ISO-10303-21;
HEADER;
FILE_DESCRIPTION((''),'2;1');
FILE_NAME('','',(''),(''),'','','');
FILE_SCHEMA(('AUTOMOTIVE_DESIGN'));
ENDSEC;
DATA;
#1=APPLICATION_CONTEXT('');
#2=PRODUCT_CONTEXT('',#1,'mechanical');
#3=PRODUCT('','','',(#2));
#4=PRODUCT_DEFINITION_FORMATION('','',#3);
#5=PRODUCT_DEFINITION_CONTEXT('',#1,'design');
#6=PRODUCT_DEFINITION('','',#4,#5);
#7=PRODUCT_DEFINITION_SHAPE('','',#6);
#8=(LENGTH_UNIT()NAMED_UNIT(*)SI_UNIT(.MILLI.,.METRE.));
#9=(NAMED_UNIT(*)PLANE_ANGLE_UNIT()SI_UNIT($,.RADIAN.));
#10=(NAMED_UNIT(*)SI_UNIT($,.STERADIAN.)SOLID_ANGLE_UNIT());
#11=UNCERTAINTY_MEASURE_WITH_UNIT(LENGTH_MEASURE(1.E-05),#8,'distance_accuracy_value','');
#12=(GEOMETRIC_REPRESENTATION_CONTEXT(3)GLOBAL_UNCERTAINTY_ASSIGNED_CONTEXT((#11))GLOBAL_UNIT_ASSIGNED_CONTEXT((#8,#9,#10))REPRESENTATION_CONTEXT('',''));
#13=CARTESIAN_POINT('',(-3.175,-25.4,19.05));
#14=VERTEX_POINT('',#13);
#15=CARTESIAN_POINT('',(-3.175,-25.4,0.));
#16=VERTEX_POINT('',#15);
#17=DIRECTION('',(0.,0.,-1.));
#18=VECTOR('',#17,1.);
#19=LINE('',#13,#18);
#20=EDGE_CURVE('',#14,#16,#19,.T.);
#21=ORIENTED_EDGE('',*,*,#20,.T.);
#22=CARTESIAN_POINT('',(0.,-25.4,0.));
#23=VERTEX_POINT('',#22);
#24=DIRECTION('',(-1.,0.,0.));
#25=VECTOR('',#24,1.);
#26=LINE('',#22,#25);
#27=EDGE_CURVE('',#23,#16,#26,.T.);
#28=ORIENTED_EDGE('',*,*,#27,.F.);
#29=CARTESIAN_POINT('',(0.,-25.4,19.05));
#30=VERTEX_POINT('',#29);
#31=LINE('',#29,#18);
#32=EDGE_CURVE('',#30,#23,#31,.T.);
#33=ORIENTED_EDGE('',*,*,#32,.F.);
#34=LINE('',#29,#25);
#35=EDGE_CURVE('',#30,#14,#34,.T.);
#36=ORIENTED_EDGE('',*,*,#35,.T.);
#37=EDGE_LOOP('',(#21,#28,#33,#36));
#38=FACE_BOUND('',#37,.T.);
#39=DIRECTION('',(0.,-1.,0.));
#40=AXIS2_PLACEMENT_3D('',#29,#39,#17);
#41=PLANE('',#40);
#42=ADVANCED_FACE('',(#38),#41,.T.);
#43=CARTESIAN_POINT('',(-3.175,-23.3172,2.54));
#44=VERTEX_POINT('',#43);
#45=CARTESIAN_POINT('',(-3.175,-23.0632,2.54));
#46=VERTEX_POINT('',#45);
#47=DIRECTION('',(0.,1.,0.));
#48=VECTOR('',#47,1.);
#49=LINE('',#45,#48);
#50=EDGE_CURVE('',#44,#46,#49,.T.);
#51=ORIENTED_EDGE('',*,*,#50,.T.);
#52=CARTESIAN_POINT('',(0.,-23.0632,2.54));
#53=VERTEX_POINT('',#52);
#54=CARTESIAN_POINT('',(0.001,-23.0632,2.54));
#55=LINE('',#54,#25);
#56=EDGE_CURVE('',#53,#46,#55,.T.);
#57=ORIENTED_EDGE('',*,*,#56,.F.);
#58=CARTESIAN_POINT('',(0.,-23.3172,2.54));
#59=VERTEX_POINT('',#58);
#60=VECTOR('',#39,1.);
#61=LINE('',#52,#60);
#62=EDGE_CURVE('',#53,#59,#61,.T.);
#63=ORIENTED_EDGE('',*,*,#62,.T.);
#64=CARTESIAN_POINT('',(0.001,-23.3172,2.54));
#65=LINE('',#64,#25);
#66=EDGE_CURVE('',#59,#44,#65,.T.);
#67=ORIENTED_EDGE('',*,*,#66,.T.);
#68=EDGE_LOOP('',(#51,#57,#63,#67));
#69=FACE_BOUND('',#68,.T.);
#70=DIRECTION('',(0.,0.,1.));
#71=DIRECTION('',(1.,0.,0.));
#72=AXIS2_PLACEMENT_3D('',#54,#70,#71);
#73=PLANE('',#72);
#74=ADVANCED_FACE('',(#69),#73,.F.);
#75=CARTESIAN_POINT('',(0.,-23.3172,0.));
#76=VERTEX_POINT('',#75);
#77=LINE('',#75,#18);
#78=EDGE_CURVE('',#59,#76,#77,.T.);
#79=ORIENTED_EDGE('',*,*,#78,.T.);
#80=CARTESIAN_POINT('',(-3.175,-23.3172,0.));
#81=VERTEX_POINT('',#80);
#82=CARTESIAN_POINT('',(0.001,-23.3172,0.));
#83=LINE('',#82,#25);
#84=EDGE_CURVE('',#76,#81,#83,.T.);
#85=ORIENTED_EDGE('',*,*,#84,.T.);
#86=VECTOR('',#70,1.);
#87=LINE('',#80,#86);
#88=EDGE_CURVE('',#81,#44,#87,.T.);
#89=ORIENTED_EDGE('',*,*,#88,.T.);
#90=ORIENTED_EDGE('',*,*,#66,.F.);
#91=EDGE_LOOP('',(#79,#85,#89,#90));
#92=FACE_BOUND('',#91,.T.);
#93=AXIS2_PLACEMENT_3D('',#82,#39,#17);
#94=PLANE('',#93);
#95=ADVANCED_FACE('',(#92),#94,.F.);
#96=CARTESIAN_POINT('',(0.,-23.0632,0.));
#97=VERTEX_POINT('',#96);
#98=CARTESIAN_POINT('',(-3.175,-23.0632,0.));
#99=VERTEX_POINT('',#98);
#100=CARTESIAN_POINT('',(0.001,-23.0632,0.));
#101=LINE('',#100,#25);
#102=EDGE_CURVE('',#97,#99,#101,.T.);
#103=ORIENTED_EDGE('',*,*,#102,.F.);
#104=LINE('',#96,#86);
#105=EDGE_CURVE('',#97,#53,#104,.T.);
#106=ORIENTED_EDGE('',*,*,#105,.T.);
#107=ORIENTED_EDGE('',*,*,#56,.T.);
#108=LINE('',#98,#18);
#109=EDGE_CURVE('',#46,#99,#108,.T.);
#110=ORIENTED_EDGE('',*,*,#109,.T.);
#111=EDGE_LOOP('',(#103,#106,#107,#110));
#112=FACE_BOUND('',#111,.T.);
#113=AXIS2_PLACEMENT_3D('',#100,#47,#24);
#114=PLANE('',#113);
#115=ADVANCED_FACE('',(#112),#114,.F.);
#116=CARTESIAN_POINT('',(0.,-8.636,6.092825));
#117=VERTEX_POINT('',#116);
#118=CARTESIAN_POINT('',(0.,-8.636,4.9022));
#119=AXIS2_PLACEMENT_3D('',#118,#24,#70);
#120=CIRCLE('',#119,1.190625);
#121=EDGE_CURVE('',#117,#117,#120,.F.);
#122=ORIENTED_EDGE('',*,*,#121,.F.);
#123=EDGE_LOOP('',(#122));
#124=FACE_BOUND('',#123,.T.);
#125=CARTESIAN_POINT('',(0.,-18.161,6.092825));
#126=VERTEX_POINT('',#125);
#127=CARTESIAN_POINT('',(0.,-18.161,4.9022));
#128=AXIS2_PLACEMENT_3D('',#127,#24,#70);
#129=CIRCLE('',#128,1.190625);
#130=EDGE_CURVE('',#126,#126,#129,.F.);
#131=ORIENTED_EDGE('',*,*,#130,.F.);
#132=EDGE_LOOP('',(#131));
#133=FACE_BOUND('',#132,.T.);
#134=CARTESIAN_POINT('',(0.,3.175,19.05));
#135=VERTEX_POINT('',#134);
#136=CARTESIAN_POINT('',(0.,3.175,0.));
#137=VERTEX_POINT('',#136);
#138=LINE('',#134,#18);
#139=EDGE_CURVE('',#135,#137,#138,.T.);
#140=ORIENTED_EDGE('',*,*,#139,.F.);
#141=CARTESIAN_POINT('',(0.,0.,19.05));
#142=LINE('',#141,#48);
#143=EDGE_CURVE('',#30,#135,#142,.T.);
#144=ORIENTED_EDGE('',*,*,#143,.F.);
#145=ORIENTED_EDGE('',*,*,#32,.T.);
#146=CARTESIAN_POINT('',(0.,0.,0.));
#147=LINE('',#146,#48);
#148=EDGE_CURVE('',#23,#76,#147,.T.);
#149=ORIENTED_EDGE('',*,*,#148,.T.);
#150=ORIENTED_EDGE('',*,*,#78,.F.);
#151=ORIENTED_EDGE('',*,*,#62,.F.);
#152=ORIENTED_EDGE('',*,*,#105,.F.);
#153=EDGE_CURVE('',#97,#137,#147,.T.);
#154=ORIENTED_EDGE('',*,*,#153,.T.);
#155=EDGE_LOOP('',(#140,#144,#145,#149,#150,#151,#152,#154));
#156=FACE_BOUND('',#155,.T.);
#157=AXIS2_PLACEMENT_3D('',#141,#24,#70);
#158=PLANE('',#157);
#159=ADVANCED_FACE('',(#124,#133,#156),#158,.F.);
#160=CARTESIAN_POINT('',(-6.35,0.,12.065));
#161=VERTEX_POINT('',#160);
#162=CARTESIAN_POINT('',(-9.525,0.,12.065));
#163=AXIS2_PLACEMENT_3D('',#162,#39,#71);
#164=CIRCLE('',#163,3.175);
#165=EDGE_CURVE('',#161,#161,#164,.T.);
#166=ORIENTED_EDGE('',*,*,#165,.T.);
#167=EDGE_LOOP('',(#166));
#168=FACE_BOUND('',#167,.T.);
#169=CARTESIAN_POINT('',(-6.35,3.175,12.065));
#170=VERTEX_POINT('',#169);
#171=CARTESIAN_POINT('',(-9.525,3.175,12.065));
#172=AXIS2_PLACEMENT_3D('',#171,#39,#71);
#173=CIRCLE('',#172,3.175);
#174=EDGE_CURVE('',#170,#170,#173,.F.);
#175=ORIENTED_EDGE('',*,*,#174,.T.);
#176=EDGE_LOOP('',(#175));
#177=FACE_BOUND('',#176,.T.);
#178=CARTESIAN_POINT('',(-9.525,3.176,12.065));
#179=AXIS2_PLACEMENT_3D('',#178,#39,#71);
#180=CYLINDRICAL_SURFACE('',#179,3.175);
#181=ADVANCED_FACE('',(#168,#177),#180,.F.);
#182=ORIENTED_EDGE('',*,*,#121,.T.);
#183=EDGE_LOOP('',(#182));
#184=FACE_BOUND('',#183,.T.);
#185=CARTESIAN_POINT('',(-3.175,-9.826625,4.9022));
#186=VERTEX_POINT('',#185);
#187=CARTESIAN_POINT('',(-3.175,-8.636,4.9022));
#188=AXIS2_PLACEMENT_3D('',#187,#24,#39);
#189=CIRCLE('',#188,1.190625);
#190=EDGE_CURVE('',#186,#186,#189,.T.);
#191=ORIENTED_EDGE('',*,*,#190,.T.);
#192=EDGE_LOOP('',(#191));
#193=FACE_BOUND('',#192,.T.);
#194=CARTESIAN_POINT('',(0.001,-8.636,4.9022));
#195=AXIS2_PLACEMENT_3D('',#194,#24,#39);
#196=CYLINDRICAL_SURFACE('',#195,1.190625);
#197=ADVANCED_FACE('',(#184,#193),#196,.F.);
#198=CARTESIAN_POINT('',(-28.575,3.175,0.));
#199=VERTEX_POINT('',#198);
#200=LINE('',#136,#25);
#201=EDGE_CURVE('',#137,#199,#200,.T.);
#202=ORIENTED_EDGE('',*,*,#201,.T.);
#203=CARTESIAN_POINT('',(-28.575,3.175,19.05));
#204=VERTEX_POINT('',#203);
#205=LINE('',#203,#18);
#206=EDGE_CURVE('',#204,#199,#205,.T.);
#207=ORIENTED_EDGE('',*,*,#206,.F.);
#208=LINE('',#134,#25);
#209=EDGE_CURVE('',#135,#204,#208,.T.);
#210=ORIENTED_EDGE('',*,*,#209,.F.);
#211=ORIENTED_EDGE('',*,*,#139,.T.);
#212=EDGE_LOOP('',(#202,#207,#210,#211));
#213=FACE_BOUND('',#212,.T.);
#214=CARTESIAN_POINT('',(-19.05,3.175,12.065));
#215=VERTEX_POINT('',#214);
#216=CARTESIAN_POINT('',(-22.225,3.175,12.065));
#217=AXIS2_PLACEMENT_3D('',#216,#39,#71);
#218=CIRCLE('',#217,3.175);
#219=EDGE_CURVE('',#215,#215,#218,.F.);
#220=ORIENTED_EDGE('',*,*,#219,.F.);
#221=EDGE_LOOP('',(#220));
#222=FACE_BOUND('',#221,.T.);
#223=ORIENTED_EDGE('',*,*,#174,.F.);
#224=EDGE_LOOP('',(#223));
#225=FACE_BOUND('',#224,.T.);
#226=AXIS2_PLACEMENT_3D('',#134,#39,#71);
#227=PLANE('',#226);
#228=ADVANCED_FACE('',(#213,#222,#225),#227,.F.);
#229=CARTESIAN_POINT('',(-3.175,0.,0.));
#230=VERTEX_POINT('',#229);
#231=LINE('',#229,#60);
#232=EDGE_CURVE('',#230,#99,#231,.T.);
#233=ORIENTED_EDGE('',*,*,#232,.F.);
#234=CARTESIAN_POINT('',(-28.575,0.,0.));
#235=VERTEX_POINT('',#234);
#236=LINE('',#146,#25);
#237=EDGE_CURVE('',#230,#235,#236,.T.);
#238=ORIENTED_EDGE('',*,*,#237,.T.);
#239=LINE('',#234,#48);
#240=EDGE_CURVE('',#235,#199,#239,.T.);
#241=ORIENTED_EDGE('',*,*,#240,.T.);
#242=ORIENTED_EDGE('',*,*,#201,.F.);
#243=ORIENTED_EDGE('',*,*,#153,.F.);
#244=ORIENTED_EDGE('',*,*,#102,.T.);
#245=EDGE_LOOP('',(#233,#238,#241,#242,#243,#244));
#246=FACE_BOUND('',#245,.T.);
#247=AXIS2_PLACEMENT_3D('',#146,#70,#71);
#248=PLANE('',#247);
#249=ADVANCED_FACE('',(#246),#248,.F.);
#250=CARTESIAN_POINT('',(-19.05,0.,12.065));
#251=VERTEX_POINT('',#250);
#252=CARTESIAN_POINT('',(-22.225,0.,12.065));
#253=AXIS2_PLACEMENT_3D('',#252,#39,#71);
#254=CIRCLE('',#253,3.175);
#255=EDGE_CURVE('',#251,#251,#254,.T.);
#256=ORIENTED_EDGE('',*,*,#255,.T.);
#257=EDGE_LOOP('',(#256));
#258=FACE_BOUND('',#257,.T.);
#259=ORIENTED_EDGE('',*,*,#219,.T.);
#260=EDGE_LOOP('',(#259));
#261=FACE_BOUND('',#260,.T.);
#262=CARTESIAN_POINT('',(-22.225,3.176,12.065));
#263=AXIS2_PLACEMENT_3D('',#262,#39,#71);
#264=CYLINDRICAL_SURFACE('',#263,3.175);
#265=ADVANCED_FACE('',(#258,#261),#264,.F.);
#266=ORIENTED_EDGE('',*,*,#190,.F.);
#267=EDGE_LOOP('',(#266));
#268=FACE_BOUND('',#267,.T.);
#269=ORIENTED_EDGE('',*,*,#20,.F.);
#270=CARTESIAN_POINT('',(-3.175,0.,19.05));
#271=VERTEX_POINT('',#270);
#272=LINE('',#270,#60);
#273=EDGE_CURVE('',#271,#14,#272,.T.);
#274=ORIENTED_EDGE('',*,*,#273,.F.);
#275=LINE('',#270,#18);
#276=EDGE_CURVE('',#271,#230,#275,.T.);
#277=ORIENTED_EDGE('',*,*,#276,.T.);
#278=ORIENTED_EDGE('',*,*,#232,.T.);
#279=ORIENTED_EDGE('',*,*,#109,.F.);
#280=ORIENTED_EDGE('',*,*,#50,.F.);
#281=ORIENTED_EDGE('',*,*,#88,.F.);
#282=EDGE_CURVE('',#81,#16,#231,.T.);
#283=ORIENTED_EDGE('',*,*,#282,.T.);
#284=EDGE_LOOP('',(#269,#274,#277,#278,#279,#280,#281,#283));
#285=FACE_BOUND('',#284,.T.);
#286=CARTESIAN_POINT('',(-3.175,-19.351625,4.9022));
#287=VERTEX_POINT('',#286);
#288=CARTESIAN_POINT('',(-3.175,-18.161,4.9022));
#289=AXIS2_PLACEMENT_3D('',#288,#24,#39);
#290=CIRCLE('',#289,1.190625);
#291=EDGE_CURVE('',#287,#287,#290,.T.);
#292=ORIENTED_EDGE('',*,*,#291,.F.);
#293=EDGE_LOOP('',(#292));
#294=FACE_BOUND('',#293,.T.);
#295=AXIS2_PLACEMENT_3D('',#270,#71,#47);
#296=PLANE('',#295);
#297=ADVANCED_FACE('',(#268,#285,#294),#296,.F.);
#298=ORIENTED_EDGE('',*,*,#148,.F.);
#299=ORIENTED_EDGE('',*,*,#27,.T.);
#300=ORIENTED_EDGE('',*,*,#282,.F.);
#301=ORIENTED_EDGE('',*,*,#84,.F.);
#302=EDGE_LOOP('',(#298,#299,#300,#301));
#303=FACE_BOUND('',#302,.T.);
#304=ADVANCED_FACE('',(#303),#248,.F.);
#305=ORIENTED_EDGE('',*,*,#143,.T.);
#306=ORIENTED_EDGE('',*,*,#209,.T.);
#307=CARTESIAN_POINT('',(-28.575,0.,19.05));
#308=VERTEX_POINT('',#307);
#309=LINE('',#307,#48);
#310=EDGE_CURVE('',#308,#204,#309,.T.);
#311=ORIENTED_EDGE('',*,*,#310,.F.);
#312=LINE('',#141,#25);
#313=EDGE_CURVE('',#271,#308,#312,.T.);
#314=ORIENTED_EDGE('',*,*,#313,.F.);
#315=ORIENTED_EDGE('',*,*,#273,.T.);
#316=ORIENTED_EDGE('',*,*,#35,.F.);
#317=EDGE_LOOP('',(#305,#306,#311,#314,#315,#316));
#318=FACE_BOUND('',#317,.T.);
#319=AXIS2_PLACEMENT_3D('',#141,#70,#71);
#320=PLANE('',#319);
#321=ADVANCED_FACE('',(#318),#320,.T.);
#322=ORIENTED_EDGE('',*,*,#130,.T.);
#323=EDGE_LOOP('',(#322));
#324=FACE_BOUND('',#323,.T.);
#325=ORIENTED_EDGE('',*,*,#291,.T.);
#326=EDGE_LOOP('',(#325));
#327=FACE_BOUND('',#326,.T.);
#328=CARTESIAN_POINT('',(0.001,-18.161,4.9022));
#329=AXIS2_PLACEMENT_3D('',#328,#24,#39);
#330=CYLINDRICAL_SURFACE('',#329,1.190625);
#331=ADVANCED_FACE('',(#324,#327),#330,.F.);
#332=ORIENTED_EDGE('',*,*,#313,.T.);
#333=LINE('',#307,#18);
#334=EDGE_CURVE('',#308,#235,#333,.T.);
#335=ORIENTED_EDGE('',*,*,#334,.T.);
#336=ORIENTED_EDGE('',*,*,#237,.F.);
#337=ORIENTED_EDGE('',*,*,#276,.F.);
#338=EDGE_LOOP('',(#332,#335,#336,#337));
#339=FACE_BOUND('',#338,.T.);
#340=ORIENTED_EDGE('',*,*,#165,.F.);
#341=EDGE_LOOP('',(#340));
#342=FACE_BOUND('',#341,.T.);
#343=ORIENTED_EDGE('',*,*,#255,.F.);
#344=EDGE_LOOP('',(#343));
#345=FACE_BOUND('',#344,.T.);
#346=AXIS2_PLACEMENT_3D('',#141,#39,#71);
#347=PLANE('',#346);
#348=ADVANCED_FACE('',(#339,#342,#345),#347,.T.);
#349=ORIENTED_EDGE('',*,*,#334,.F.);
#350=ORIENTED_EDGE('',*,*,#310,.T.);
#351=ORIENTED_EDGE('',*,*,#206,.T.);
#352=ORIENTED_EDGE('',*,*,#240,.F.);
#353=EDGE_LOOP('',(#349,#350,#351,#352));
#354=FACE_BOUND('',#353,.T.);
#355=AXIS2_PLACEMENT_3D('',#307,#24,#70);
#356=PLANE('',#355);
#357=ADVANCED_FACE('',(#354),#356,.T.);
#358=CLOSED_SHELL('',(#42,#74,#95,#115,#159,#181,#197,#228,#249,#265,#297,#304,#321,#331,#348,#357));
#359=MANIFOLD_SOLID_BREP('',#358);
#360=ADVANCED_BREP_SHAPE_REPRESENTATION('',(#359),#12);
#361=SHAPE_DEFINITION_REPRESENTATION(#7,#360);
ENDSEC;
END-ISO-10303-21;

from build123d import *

# Parameters (mm, degrees)
SKETCH1_W           = 28.575
SKETCH1_H           = 3.175
SKETCH1_W_2         = 3.175
SKETCH1_H_2         = 25.4
BOSS_EXTRUDE1_DEPTH = 19.05
SWITCH_MOUNT_REACH  = 5.175
SKETCH2_R           = 1.190625
SKETCH2_W           = 2.54
SKETCH2_H           = 0.254
BRACKET_MOUNT_REACH = 5.175
SKETCH3_R           = 3.175


with BuildPart() as part:
    # Sketch1 → Boss-Extrude1 (new body)
    with BuildSketch(Plane.XY):
        with Locations((-14.2875, 1.5875)):
            Rectangle(SKETCH1_W, SKETCH1_H)
        with Locations((-1.5875, -12.7)):
            Rectangle(SKETCH1_W_2, SKETCH1_H_2)
    extrude(amount=BOSS_EXTRUDE1_DEPTH)

    # Sketch2 → Switch Mount (cut, up to next)
    with BuildSketch(Plane.ZY.offset(3.175), mode=Mode.PRIVATE) as switch_mount_sk1:
        with Locations((4.9022, -8.636)):
            Circle(SKETCH2_R)
    switch_mount_tool1 = extrude(switch_mount_sk1.sketch, amount=-SWITCH_MOUNT_REACH, mode=Mode.PRIVATE) & part.part
    add(switch_mount_tool1.solids().sort_by_distance((-3.175, -8.636, 4.9022))[0], mode=Mode.SUBTRACT)
    # Sketch2 → Switch Mount (cut, up to next)
    with BuildSketch(Plane.ZY.offset(3.175), mode=Mode.PRIVATE) as switch_mount_sk2:
        with Locations((4.9022, -18.161)):
            Circle(SKETCH2_R)
    switch_mount_tool2 = extrude(switch_mount_sk2.sketch, amount=-SWITCH_MOUNT_REACH, mode=Mode.PRIVATE) & part.part
    add(switch_mount_tool2.solids().sort_by_distance((-3.175, -18.161, 4.9022))[0], mode=Mode.SUBTRACT)
    # Sketch2 → Switch Mount (cut, up to next)
    with BuildSketch(Plane.ZY.offset(3.175), mode=Mode.PRIVATE) as switch_mount_sk3:
        with Locations((1.27, -23.1902)):
            Rectangle(SKETCH2_W, SKETCH2_H)
    switch_mount_tool3 = extrude(switch_mount_sk3.sketch, amount=-SWITCH_MOUNT_REACH, mode=Mode.PRIVATE) & part.part
    add(switch_mount_tool3.solids().sort_by_distance((-3.175, -23.1902, 1.27))[0], mode=Mode.SUBTRACT)

    # Sketch3 → Bracket Mount (cut, up to next)
    with BuildSketch(Plane.XZ, mode=Mode.PRIVATE) as bracket_mount_sk1:
        with Locations((-9.525, 12.065)):
            Circle(SKETCH3_R)
    bracket_mount_tool1 = extrude(bracket_mount_sk1.sketch, amount=-BRACKET_MOUNT_REACH, mode=Mode.PRIVATE) & part.part
    add(bracket_mount_tool1.solids().sort_by_distance((-9.525, 0, 12.065))[0], mode=Mode.SUBTRACT)
    # Sketch3 → Bracket Mount (cut, up to next)
    with BuildSketch(Plane.XZ, mode=Mode.PRIVATE) as bracket_mount_sk2:
        with Locations((-22.225, 12.065)):
            Circle(SKETCH3_R)
    bracket_mount_tool2 = extrude(bracket_mount_sk2.sketch, amount=-BRACKET_MOUNT_REACH, mode=Mode.PRIVATE) & part.part
    add(bracket_mount_tool2.solids().sort_by_distance((-22.225, 0, 12.065))[0], mode=Mode.SUBTRACT)


solid = part.part
